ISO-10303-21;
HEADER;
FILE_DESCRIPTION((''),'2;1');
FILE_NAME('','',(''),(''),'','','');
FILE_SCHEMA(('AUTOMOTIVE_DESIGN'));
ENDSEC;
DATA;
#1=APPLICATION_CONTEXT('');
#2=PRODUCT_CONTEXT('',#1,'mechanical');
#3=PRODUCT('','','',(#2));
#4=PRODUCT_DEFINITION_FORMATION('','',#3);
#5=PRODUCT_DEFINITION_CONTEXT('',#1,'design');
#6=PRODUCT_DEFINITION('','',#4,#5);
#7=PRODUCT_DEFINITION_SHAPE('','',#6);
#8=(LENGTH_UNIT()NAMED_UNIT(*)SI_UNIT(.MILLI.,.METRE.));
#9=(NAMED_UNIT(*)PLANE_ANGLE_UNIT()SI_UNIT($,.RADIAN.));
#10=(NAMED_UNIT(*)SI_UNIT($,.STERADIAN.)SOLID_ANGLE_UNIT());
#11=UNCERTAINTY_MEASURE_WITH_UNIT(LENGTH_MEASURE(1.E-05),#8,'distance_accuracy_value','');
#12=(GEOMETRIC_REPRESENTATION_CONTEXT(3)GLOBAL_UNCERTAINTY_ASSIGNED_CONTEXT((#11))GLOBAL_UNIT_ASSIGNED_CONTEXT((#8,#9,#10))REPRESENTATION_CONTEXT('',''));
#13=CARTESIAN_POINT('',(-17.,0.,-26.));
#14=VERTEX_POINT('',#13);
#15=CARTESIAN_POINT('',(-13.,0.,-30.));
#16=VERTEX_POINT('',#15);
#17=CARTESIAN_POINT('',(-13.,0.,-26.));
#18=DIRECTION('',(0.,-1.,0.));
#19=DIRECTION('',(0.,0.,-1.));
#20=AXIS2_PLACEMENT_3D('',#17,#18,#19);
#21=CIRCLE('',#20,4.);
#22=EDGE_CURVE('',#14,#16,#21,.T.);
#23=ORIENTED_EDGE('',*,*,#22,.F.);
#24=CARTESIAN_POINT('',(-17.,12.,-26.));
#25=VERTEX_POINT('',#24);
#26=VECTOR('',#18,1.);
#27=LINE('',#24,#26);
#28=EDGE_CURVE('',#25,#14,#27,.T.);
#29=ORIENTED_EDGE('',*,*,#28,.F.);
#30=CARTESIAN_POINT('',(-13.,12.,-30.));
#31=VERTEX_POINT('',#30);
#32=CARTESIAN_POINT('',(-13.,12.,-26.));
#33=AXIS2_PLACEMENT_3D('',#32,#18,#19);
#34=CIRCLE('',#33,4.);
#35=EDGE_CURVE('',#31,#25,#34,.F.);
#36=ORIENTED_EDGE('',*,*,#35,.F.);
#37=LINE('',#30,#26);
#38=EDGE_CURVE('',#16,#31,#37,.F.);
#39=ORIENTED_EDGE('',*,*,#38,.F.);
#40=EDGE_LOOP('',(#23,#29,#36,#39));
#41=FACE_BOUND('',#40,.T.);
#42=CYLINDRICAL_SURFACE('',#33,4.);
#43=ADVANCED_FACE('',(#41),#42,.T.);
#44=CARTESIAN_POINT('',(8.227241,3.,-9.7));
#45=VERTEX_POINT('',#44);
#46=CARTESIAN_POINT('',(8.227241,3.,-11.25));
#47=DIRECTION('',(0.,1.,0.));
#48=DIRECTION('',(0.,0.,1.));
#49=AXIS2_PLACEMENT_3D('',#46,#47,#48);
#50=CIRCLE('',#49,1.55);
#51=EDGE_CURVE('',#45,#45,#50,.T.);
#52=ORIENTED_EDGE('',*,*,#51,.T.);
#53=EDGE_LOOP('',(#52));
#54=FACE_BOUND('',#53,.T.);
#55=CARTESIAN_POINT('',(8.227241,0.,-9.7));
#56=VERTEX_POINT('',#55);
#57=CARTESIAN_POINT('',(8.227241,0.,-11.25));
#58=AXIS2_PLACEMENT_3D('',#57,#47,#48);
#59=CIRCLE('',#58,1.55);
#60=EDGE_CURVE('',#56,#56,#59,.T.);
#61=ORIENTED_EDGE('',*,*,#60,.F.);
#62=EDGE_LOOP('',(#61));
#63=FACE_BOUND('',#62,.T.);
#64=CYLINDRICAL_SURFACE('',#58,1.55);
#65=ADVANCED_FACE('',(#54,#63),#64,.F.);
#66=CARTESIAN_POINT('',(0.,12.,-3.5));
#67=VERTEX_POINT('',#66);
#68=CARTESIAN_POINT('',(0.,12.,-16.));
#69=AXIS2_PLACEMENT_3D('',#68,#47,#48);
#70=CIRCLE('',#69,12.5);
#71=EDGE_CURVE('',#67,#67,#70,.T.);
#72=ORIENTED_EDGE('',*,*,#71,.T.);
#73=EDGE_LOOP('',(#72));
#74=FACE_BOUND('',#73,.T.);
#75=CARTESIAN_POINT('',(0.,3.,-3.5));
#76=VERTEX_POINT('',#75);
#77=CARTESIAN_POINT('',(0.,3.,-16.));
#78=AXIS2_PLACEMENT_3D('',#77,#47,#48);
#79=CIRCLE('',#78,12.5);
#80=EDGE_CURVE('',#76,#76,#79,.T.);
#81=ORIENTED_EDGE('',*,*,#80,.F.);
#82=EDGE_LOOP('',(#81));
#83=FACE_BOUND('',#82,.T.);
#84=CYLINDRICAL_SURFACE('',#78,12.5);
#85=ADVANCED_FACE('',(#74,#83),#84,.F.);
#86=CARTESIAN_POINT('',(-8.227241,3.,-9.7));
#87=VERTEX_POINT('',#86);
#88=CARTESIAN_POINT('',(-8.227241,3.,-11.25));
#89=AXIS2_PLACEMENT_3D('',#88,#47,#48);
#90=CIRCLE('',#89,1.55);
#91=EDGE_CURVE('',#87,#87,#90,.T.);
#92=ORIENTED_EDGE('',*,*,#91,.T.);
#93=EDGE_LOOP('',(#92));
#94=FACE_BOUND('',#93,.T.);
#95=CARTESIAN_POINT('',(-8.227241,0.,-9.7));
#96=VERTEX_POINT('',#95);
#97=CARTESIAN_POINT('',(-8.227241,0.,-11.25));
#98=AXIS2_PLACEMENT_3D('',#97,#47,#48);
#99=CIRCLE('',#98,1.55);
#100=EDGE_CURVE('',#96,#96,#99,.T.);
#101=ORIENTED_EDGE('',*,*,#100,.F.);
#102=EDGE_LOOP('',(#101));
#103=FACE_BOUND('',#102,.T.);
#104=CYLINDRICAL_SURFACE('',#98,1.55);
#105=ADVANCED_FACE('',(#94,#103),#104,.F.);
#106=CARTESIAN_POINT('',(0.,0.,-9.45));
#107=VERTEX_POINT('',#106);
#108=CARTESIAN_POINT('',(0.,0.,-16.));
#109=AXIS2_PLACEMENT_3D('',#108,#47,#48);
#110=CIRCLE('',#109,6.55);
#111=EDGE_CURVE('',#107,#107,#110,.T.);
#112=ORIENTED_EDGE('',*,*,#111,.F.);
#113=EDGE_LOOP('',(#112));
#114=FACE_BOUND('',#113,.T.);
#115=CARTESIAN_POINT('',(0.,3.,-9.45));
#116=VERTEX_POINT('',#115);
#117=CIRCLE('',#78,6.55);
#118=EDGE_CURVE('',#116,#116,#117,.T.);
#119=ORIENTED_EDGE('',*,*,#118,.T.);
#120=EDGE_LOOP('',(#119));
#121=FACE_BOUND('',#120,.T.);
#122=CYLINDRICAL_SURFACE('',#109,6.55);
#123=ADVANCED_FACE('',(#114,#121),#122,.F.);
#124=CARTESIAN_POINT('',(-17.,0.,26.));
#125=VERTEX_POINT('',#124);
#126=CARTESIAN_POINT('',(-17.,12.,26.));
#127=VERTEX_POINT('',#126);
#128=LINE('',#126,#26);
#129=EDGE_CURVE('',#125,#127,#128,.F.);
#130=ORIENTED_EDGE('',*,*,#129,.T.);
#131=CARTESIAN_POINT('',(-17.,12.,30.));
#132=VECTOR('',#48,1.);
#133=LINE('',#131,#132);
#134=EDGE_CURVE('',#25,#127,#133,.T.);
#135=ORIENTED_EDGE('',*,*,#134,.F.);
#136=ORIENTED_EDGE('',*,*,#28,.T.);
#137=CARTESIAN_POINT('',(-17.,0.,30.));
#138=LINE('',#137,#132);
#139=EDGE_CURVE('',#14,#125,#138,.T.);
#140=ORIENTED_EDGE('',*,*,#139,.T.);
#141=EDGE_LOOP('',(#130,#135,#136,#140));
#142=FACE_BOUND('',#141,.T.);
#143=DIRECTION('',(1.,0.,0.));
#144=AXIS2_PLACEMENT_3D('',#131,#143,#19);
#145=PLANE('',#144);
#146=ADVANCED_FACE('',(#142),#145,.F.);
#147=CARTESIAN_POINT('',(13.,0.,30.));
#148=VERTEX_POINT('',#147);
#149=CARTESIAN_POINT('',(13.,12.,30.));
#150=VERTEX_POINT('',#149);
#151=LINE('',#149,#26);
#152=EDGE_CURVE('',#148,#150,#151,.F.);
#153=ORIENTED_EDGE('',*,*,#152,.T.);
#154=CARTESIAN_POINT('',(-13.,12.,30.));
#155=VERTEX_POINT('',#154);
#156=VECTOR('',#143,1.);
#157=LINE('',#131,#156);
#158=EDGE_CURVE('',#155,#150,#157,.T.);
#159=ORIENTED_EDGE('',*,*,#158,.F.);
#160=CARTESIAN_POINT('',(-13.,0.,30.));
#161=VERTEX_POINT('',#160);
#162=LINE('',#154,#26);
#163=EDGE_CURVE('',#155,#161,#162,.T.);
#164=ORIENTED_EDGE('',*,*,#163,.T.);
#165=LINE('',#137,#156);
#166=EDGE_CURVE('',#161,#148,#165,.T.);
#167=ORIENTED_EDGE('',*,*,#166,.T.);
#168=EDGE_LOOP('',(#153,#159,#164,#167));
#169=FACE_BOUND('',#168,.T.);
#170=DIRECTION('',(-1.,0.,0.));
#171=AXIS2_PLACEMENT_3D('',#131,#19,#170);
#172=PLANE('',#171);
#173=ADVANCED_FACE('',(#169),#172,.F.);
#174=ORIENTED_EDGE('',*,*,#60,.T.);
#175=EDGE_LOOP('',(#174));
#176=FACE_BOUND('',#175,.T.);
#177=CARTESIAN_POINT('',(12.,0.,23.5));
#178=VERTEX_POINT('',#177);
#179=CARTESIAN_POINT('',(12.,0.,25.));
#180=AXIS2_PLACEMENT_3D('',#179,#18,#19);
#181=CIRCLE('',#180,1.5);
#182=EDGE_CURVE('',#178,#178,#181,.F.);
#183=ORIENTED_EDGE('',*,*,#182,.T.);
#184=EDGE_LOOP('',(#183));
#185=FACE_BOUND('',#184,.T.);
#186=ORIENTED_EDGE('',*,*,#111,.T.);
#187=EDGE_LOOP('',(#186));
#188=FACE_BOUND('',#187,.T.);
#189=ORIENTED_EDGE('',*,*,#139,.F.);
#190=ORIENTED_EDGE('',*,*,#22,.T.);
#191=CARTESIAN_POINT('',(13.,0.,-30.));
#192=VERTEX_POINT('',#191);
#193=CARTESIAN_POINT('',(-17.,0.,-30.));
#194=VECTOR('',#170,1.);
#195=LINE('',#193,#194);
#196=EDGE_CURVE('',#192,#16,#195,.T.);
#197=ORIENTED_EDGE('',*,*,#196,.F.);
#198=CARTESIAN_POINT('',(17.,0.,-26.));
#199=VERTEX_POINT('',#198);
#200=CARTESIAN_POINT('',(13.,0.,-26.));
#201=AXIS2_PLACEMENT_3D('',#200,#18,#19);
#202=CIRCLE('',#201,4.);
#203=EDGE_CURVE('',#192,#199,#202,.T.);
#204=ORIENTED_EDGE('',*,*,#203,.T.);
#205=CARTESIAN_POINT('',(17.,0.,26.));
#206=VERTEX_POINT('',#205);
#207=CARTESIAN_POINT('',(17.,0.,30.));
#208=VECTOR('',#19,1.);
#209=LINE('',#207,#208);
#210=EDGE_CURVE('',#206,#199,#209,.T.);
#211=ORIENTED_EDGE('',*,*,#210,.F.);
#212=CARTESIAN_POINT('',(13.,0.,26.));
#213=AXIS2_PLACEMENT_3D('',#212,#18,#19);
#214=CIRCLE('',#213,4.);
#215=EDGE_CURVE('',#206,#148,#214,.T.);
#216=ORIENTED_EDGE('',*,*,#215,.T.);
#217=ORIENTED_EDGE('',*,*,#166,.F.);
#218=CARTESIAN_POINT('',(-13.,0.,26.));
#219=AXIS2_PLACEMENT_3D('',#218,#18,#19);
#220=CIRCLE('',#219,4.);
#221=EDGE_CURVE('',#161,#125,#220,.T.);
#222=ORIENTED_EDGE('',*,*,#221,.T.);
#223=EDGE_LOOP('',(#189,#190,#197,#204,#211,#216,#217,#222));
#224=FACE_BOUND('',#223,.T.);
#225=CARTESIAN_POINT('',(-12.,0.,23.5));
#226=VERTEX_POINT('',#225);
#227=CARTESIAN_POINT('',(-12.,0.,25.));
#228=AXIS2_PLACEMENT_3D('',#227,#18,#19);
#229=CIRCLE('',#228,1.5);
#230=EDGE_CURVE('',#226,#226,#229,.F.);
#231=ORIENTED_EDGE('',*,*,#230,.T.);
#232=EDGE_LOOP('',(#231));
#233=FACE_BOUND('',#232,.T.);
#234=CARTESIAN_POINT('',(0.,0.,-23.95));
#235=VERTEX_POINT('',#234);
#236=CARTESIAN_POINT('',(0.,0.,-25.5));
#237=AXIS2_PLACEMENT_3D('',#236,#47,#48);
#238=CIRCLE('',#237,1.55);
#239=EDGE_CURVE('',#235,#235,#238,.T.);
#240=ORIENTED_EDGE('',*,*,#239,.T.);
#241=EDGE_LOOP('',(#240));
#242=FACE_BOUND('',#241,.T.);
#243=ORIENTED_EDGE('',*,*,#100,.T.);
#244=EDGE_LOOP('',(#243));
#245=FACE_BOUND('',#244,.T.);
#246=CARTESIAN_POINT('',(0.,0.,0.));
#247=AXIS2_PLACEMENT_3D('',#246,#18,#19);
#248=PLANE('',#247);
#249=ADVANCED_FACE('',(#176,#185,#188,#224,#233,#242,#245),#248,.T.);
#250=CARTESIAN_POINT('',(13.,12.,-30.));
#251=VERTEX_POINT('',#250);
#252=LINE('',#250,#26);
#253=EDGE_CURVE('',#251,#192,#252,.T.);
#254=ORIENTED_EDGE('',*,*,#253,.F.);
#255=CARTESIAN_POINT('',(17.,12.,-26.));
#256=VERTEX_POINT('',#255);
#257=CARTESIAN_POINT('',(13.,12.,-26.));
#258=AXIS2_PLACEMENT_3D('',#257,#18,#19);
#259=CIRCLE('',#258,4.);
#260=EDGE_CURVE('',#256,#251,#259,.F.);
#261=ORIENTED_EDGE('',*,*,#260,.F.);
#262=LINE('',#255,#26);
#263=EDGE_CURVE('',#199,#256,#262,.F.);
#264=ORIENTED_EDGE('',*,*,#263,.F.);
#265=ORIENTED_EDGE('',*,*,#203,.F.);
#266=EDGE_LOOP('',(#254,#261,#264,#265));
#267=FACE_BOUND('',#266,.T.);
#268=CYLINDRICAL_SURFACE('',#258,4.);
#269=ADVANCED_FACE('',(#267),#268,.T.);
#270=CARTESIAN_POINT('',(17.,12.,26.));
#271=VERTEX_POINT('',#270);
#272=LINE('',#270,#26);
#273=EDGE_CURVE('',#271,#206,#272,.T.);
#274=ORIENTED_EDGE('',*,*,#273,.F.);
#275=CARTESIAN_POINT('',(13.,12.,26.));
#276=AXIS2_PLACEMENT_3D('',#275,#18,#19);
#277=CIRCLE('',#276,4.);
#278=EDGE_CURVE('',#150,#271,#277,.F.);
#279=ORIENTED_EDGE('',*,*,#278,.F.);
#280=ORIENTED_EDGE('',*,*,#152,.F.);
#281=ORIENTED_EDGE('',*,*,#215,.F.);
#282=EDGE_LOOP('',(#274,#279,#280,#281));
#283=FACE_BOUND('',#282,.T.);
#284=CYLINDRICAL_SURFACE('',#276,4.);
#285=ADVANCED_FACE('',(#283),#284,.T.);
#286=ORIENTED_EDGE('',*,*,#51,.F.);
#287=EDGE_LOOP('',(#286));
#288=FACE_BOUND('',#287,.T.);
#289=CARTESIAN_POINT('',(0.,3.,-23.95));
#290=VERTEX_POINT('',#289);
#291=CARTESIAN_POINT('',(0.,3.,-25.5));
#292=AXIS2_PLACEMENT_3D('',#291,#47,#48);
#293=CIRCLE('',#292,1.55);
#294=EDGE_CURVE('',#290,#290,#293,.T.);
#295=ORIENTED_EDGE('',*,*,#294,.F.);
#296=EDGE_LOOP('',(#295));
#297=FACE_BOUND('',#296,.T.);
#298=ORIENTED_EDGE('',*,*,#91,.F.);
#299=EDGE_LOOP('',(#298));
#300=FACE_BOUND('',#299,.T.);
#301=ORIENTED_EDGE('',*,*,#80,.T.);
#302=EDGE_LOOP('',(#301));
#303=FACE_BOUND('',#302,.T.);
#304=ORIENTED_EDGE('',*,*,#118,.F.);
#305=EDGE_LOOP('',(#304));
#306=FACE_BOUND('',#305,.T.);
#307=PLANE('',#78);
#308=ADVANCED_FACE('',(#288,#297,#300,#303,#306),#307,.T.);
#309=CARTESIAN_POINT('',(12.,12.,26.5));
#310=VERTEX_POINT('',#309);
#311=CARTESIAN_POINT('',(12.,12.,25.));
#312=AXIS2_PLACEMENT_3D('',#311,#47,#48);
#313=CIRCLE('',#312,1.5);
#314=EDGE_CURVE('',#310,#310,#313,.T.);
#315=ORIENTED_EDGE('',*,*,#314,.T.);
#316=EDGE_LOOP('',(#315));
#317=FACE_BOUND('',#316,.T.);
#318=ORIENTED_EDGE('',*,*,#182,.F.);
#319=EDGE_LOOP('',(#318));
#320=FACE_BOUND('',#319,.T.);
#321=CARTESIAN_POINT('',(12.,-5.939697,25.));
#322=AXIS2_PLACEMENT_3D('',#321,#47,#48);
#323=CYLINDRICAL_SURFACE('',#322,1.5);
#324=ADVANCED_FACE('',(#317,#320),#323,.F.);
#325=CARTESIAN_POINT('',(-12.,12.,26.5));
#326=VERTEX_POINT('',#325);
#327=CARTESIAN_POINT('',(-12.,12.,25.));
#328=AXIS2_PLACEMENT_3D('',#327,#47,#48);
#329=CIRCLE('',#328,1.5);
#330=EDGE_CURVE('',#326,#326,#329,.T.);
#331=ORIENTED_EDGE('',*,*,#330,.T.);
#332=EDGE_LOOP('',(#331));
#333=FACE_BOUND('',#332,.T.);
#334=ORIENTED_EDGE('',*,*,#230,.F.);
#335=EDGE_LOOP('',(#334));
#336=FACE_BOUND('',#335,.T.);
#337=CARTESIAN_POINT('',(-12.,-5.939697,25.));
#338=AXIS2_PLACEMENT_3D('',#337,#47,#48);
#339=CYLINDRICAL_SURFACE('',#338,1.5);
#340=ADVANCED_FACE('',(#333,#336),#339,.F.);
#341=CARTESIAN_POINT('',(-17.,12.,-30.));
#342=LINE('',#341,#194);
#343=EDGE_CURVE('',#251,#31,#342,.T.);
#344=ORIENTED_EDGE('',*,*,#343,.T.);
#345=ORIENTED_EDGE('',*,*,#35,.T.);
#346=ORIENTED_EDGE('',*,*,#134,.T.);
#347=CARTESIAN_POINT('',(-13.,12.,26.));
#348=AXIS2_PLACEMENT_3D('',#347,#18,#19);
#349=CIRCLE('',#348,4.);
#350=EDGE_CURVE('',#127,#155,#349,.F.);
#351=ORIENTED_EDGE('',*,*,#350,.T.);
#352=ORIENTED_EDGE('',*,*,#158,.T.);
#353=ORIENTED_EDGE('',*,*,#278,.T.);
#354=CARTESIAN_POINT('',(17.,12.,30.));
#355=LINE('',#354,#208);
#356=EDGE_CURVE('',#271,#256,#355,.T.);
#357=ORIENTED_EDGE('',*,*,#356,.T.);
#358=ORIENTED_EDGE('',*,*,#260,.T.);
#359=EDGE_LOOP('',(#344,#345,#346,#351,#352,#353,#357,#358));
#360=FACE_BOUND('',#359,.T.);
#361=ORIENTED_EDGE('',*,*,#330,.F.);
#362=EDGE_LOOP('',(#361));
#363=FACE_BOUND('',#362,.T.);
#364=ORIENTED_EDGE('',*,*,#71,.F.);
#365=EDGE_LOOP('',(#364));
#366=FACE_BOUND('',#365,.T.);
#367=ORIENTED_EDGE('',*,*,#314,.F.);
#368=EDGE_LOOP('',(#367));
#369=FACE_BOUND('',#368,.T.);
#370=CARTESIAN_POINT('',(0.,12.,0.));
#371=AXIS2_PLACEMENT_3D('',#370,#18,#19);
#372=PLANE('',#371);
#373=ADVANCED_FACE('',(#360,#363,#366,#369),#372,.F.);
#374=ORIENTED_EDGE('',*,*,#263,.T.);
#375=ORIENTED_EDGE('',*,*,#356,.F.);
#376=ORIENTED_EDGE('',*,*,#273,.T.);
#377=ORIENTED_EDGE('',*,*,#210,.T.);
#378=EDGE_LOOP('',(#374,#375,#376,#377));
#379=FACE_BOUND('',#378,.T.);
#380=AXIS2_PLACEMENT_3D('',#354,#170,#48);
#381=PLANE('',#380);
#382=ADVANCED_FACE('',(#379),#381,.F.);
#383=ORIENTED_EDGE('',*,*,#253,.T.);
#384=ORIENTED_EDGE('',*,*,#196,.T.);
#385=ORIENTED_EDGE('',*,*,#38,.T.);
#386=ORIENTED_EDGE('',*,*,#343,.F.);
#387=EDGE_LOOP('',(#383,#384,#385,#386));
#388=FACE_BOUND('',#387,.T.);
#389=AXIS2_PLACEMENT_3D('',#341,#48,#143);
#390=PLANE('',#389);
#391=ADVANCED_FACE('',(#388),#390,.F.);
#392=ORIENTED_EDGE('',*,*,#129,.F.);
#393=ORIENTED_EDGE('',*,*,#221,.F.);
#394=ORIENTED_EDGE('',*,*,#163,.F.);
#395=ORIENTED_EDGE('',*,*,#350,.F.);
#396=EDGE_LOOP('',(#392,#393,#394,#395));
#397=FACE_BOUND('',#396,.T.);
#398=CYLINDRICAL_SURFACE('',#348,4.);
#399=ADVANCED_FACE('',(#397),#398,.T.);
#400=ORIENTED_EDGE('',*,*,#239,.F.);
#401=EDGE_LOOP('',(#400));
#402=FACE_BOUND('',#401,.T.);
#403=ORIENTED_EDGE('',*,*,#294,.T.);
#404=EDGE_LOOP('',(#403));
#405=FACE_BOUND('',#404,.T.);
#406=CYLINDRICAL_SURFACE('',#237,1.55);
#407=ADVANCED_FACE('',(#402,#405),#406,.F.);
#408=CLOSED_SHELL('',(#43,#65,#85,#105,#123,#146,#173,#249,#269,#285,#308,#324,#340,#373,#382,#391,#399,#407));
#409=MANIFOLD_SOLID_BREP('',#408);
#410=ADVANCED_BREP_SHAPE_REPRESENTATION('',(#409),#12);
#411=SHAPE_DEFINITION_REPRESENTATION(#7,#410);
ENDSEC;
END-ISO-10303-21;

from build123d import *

# Parameters (mm, degrees)
SKETCH_1_W             = 34
SKETCH_1_H             = 60
EXTRUDE_443_DEPTH      = 12
SKETCH_2_R             = 2.1
CUT_EXTRUDE_710_DEPTH  = 13
SKETCH_3_R             = 12.5
CUT_EXTRUDE_893_DEPTH  = 9
SKETCH_4_R             = 6.55
CUT_EXTRUDE_999_DEPTH  = 4
SKETCH_5_R             = 1.55
CUT_EXTRUDE_1168_DEPTH = 4
FILLET_4_R             = 4
SKETCH_6_R             = 2.1
SKETCH_6_R_2           = 1.5
EXTRUDE_1_DEPTH        = 12


with BuildPart() as part:
    # 草图1 → Extrude 443 (new body)
    with BuildSketch(Plane(origin=(0, 0, 0), x_dir=(1, 0, 0), z_dir=(0, 1, 0))):
        Rectangle(SKETCH_1_W, SKETCH_1_H)
    extrude(amount=EXTRUDE_443_DEPTH)

    # 草图2 → Cut-Extrude 710 (cut, through all)
    with BuildSketch(Plane(origin=(0, 12, 0), x_dir=(1, 0, 0), z_dir=(0, 1, 0))):
        with Locations((-12, -25)):
            Circle(SKETCH_2_R)
        with Locations((12, -25)):
            Circle(SKETCH_2_R)
    extrude(amount=-CUT_EXTRUDE_710_DEPTH, mode=Mode.SUBTRACT)

    # 草图3 → Cut-Extrude 893 (cut)
    with BuildSketch(Plane(origin=(0, 12, 0), x_dir=(1, 0, 0), z_dir=(0, 1, 0))):
        with Locations((0, 16)):
            Circle(SKETCH_3_R)
    extrude(amount=-CUT_EXTRUDE_893_DEPTH, mode=Mode.SUBTRACT)

    # 草图4 → Cut-Extrude 999 (cut, through all)
    with BuildSketch(Plane(origin=(0, 3, 0), x_dir=(1, 0, 0), z_dir=(0, 1, 0))):
        with Locations((0, 16)):
            Circle(SKETCH_4_R)
    extrude(amount=-CUT_EXTRUDE_999_DEPTH, mode=Mode.SUBTRACT)

    # 草图5 → Cut-Extrude 1168 (cut, through all)
    with BuildSketch(Plane(origin=(0, 3, 0), x_dir=(1, 0, 0), z_dir=(0, 1, 0))):
        with Locations((0, 25.5)):
            Circle(SKETCH_5_R)
        with Locations((8.227241336, 11.25)):
            Circle(SKETCH_5_R)
        with Locations((-8.227241336, 11.25)):
            Circle(SKETCH_5_R)
    extrude(amount=-CUT_EXTRUDE_1168_DEPTH, mode=Mode.SUBTRACT)

    # 圆角4
    fillet_4_edges = [part.edges().sort_by_distance(p)[0] for p in [
        (17, 6, 30),
        (-17, 6, 30),
        (-17, 6, -30),
        (17, 6, -30),
    ]]
    fillet(fillet_4_edges, radius=FILLET_4_R)

    # 草图6 → 凸台-拉伸1 (add)
    with BuildSketch(Plane(origin=(0, 12, 0), x_dir=(1, 0, 0), z_dir=(0, 1, 0))):
        with Locations((-12, -25)):
            Circle(SKETCH_6_R)
        with Locations((-12, -25)):
            Circle(SKETCH_6_R_2, mode=Mode.SUBTRACT)
        with Locations((12, -25)):
            Circle(SKETCH_6_R)
        with Locations((12, -25)):
            Circle(SKETCH_6_R_2, mode=Mode.SUBTRACT)
    extrude(amount=-EXTRUDE_1_DEPTH)


solid = part.part
